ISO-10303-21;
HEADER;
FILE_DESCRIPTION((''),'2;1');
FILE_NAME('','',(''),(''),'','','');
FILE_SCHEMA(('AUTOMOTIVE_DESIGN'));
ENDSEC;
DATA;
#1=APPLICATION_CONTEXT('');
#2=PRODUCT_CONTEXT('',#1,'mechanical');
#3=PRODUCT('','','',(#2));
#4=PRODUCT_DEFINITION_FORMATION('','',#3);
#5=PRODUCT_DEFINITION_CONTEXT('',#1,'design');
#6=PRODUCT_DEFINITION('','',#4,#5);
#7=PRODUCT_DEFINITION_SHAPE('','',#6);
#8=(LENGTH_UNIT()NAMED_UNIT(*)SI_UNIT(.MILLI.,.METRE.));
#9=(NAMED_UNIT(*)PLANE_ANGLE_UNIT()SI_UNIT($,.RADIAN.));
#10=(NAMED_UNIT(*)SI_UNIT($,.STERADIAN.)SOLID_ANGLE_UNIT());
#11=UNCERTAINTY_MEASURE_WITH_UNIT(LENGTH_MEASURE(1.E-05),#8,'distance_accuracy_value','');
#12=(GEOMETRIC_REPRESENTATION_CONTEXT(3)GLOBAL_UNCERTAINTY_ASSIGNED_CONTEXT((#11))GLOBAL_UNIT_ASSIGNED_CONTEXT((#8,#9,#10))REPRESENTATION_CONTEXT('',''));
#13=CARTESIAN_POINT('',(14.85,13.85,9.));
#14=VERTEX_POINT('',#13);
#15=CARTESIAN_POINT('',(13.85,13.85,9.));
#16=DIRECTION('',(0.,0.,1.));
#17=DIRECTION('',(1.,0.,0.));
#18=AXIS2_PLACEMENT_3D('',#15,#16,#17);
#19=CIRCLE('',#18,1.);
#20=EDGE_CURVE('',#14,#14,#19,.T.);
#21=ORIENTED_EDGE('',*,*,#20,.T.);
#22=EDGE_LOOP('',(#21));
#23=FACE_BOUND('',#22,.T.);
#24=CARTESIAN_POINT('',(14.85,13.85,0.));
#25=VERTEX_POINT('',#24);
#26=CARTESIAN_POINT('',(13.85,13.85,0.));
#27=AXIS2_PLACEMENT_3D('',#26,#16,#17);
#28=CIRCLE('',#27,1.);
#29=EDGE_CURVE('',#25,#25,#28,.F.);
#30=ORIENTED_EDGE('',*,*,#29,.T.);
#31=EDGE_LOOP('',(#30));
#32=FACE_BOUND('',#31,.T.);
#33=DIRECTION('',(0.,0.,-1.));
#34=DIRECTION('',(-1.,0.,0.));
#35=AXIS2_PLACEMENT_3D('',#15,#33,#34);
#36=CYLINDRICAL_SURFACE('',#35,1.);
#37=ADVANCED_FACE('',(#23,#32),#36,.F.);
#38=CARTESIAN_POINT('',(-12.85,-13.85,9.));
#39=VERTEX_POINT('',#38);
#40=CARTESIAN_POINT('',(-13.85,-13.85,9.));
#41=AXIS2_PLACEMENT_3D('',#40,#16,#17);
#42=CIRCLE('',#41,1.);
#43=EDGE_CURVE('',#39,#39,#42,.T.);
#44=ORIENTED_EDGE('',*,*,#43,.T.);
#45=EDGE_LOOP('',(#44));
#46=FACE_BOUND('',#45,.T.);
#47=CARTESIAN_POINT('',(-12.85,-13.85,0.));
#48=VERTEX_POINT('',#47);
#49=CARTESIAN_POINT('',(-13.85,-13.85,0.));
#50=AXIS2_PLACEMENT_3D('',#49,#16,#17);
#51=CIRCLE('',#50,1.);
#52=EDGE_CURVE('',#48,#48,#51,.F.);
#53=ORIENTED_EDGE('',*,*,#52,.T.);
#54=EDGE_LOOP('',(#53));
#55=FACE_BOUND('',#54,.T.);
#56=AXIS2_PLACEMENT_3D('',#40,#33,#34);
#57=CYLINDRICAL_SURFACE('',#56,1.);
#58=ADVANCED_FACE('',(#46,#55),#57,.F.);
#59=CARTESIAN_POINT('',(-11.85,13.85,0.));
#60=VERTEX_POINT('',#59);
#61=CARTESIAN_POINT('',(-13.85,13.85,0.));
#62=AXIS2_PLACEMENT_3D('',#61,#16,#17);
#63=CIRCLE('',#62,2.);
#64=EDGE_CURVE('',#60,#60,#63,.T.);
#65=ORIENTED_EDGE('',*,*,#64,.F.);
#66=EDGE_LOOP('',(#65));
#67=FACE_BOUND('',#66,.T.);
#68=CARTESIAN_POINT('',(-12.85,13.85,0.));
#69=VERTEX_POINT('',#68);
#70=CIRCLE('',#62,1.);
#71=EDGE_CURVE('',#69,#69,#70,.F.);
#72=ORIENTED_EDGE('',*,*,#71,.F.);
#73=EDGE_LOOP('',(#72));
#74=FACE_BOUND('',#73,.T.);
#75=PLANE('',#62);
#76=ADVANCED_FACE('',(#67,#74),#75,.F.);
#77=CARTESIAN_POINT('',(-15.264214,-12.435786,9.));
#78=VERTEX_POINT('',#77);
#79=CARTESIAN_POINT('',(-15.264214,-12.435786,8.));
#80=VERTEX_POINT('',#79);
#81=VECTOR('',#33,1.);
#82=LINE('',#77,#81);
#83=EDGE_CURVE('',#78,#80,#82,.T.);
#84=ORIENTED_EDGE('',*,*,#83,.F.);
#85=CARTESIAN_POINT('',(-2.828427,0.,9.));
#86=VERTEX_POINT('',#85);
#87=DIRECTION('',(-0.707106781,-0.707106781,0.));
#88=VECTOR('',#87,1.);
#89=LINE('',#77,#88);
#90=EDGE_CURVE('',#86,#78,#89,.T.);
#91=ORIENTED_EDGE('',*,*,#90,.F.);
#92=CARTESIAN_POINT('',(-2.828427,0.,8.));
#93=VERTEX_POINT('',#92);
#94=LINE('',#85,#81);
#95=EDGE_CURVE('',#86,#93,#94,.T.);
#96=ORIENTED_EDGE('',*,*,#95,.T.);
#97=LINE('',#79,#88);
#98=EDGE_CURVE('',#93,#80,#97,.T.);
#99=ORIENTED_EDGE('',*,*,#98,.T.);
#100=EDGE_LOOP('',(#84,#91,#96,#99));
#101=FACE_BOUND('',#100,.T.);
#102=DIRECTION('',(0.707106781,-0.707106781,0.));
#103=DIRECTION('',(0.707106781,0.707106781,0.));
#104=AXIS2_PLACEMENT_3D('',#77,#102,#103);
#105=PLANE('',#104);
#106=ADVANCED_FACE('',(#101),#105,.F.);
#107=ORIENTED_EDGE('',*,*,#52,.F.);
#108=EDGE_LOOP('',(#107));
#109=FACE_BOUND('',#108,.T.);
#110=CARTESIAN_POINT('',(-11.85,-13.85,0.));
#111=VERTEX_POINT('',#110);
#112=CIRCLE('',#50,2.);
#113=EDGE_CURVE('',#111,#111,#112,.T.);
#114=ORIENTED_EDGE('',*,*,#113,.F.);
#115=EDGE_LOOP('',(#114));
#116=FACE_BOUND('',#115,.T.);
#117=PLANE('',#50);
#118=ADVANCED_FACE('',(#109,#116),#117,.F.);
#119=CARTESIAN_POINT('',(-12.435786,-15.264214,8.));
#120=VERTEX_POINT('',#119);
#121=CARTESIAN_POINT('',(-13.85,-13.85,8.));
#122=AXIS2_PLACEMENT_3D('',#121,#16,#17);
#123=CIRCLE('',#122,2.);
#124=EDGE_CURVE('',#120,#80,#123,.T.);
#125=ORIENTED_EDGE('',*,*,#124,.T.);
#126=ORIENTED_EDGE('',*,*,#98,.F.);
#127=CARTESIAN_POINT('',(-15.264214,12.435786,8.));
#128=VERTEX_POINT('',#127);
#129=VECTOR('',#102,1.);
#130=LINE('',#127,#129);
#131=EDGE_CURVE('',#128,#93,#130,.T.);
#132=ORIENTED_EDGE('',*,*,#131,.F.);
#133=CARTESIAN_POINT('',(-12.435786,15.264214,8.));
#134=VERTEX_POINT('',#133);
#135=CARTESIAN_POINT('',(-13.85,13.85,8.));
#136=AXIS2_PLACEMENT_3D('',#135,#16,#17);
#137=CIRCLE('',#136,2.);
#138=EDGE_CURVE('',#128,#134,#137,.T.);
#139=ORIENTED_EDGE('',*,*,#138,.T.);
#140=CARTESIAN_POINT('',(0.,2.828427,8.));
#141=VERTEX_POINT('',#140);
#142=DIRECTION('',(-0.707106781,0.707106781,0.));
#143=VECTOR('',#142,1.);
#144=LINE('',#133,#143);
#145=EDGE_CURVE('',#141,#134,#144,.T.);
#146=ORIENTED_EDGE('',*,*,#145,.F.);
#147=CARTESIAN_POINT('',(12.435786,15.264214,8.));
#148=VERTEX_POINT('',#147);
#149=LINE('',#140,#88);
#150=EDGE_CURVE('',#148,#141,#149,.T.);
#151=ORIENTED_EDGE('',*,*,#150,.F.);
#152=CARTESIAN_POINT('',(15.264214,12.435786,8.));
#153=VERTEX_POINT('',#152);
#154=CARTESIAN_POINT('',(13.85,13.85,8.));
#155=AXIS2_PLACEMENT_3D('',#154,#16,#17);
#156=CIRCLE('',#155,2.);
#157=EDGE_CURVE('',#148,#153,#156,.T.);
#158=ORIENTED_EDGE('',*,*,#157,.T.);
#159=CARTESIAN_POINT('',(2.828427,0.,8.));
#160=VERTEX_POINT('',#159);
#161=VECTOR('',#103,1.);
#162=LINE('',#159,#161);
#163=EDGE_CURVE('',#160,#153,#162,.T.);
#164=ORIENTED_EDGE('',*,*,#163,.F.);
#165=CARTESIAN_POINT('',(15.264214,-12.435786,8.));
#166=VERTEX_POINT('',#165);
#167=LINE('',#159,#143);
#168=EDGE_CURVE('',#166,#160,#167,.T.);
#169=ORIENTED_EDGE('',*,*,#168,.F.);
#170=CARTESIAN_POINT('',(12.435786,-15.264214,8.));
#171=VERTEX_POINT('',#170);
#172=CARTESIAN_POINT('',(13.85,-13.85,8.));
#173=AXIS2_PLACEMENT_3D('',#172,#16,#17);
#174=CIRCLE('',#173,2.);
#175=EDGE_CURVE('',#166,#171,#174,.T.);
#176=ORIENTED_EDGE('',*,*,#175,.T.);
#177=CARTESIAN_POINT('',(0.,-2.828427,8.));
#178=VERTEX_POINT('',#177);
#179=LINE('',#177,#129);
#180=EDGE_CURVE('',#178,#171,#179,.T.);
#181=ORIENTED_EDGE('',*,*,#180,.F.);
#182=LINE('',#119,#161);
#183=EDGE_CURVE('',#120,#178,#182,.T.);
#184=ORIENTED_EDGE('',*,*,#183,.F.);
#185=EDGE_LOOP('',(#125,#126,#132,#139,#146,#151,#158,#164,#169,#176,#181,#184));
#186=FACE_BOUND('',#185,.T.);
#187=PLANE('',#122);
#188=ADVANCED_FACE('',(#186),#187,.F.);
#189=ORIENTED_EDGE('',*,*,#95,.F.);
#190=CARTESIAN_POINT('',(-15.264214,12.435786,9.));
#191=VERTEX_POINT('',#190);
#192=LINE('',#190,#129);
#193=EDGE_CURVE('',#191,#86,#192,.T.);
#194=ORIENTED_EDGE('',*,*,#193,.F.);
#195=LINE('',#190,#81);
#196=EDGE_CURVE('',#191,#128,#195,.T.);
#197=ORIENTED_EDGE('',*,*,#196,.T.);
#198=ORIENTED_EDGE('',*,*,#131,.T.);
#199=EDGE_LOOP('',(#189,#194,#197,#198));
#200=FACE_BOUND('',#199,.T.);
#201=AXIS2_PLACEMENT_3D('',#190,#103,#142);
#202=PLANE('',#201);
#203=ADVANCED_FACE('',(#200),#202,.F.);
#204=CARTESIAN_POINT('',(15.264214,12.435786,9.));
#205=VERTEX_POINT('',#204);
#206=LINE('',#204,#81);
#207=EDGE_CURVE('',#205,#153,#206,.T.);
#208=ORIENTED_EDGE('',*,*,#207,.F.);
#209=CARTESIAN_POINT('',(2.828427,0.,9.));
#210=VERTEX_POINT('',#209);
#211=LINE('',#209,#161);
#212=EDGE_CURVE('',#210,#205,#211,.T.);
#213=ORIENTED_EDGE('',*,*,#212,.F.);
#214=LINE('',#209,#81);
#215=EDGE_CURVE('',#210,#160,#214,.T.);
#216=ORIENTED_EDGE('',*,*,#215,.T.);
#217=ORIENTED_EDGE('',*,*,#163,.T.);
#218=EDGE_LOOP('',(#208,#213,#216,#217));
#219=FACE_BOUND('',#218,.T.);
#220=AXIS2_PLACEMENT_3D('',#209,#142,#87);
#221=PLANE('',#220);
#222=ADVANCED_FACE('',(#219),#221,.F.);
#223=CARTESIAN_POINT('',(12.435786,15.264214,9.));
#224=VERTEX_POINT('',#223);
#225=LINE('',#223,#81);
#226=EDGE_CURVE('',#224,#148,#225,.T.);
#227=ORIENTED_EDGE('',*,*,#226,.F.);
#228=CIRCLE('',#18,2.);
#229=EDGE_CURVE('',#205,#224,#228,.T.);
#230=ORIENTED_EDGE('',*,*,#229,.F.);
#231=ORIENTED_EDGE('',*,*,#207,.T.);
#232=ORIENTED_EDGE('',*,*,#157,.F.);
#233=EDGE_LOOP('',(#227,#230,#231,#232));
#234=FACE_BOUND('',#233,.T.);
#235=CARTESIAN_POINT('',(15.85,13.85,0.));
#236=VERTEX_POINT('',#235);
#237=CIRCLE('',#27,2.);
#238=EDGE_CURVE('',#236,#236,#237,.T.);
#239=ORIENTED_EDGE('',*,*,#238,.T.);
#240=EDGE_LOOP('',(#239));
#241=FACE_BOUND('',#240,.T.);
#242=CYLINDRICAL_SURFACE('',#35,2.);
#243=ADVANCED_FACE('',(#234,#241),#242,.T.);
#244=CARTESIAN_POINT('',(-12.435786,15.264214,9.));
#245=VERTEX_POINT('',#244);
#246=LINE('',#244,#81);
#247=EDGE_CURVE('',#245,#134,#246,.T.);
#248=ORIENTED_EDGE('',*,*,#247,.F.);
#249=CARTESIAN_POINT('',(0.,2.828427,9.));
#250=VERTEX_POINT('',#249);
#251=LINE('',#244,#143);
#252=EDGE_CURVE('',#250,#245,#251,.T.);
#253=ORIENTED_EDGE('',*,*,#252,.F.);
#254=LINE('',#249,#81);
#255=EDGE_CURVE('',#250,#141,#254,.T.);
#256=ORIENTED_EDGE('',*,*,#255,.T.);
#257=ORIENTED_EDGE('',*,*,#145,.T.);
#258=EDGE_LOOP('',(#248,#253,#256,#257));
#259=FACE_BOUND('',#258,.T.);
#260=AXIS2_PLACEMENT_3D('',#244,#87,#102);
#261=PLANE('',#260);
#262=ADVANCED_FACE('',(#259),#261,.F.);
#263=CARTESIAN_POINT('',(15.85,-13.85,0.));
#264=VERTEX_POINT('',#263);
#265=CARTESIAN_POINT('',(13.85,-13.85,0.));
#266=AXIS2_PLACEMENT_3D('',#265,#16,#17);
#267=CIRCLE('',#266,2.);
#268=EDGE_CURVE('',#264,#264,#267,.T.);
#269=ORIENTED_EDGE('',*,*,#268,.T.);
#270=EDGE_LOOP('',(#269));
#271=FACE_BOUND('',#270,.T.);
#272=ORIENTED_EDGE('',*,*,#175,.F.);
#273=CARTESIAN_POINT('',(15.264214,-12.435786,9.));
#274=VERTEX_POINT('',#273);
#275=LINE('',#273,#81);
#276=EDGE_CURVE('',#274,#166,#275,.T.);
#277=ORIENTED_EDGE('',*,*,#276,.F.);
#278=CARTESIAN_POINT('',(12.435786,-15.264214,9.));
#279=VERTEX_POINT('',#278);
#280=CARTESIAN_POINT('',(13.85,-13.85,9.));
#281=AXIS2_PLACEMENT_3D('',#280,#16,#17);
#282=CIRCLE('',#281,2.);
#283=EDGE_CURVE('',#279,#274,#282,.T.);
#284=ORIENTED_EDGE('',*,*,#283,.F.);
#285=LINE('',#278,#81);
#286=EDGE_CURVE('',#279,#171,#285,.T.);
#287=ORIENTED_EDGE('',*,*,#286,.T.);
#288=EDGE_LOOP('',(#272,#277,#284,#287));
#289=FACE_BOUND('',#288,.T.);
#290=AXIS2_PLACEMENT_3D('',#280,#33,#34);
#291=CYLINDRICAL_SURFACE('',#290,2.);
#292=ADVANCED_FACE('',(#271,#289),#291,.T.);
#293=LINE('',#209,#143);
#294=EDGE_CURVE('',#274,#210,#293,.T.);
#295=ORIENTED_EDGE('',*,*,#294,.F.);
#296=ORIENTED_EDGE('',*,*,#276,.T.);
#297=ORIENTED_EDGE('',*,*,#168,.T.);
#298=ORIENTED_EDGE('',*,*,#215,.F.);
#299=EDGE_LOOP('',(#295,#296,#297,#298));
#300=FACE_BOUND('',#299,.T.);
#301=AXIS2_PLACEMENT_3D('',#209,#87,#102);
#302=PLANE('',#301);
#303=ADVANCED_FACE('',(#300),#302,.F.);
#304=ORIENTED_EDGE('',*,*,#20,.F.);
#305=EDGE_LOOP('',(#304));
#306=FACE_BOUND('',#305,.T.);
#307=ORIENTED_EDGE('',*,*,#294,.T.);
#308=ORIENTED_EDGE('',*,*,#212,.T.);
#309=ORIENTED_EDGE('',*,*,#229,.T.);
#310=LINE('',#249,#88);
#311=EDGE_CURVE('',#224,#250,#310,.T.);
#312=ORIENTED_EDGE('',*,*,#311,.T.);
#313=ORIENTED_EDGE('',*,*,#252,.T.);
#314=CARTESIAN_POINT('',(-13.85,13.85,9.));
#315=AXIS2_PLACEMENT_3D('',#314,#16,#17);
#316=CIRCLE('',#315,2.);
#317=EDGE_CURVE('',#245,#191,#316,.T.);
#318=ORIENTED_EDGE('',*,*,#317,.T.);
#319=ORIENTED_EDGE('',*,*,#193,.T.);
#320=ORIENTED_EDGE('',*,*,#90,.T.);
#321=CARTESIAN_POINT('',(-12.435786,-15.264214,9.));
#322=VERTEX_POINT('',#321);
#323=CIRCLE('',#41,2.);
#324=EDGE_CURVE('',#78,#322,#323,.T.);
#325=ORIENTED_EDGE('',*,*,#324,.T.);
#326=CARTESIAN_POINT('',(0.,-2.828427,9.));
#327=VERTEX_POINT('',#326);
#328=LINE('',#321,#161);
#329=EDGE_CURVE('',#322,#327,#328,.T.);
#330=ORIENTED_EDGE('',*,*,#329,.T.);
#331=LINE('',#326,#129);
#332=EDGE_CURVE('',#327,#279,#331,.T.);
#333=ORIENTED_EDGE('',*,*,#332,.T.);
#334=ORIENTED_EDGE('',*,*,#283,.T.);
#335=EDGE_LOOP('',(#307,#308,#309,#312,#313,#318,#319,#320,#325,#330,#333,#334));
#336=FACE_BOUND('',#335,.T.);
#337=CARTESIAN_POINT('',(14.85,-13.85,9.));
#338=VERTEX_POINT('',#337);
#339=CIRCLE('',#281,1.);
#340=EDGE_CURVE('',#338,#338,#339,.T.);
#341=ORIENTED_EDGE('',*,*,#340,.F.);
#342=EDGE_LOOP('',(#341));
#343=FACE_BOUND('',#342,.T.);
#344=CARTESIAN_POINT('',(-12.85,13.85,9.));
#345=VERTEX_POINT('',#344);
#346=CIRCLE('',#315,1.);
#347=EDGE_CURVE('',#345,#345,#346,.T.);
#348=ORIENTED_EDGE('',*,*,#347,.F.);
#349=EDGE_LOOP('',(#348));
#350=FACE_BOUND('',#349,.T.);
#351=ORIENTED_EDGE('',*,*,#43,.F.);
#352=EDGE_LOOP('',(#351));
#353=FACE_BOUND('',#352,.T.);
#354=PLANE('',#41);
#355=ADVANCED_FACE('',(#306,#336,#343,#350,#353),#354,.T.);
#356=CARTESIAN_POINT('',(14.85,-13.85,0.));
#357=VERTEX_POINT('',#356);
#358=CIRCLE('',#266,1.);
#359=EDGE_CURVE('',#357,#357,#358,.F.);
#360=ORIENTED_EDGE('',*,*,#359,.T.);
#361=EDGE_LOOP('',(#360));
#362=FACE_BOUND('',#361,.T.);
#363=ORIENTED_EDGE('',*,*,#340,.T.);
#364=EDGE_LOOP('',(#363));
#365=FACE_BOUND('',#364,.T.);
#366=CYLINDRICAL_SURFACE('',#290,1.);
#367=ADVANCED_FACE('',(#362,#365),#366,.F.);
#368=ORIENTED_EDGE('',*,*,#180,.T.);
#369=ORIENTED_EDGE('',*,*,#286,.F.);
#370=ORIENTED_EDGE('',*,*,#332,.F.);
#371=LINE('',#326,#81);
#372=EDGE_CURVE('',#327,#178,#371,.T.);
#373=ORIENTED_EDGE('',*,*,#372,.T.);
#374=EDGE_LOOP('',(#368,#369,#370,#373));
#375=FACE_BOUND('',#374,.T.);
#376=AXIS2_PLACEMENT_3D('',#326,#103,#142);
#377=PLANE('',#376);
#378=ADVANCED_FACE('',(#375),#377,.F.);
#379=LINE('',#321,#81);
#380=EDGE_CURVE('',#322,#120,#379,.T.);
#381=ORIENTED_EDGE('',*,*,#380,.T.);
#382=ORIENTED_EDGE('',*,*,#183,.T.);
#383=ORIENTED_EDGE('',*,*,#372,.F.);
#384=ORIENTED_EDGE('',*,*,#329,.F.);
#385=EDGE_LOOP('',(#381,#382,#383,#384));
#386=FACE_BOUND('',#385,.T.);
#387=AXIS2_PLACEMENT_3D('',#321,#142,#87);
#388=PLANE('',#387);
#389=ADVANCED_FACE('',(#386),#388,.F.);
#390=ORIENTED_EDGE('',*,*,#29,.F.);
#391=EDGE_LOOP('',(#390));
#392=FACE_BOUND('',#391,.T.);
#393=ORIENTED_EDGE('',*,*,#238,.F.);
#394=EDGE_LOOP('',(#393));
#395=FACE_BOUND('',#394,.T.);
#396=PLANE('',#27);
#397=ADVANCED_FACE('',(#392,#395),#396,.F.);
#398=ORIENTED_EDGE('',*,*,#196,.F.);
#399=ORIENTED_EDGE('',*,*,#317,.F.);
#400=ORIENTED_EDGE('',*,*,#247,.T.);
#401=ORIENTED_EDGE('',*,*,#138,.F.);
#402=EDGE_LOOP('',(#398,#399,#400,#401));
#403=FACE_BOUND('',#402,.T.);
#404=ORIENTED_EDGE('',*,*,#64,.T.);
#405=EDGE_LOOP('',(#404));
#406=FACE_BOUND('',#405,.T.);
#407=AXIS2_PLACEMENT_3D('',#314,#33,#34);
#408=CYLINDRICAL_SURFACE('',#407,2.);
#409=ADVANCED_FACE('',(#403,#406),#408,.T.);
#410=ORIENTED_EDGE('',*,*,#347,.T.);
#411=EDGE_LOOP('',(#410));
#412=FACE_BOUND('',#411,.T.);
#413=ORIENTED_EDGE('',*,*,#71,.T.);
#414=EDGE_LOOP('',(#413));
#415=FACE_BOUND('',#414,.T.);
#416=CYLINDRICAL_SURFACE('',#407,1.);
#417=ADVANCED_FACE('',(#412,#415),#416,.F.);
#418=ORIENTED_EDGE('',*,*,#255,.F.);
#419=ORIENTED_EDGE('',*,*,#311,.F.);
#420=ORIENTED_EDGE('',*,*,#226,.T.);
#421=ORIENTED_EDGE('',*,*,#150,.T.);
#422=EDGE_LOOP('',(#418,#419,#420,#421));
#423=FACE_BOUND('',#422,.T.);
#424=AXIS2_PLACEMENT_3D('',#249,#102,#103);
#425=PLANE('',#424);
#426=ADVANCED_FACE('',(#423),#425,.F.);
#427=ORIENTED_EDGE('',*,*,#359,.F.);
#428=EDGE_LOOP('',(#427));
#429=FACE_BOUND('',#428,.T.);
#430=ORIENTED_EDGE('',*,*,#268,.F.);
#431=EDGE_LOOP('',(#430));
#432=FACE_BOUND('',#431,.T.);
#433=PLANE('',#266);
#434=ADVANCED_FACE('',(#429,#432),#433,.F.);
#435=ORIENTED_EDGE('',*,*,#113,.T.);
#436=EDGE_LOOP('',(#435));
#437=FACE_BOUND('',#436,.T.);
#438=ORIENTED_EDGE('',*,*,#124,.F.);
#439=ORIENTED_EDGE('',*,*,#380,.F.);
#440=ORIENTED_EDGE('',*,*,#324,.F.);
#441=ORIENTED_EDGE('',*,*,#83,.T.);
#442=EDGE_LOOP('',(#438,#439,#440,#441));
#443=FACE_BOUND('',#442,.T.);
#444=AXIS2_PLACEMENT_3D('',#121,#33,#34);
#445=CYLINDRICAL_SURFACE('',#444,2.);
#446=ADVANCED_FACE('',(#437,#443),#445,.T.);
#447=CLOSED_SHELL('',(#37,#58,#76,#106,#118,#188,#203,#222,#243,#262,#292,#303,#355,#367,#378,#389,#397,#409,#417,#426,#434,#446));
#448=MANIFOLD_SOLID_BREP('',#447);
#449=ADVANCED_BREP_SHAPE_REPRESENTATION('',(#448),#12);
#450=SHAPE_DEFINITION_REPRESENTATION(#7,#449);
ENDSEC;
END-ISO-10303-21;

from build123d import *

# Parameters (mm, degrees)
SKETCH3_R               = 2
BOSS_EXTRUDE1_DEPTH     = 8
BOSS_EXTRUDE1_2_DEPTH   = 8
BOSS_EXTRUDE1_3_DEPTH   = 8
BOSS_EXTRUDE1_4_DEPTH   = 8
BOSS_EXTRUDE2_DEPTH     = 1
SKETCH5_R               = 1
CUT_EXTRUDE1_DEPTH      = 10
CUT_EXTRUDE1_DEPTH_BACK = 1


with BuildPart() as part:
    # Sketch3 → Boss-Extrude1 (new body)
    with BuildSketch(Plane(origin=(0, 0, 0), x_dir=(0, 1, 0), z_dir=(0, 0, 1))):
        with Locations((-13.85, 13.85)):
            Circle(SKETCH3_R)
    extrude(amount=BOSS_EXTRUDE1_DEPTH)



with BuildPart() as body_2:
    # Sketch3 → Boss-Extrude1 2 (new body)
    with BuildSketch(Plane(origin=(0, 0, 0), x_dir=(0, 1, 0), z_dir=(0, 0, 1))):
        with Locations((13.85, 13.85)):
            Circle(SKETCH3_R)
    extrude(amount=BOSS_EXTRUDE1_2_DEPTH)


with BuildPart() as body_3:
    # Sketch3 → Boss-Extrude1 3 (new body)
    with BuildSketch(Plane(origin=(0, 0, 0), x_dir=(0, 1, 0), z_dir=(0, 0, 1))):
        with Locations((13.85, -13.85)):
            Circle(SKETCH3_R)
    extrude(amount=BOSS_EXTRUDE1_3_DEPTH)


with BuildPart() as body_4:
    # Sketch3 → Boss-Extrude1 4 (new body)
    with BuildSketch(Plane(origin=(0, 0, 0), x_dir=(0, 1, 0), z_dir=(0, 0, 1))):
        with Locations((-13.85, -13.85)):
            Circle(SKETCH3_R)
    extrude(amount=BOSS_EXTRUDE1_4_DEPTH)


with BuildPart() as part_1:
    add(part.part)

    add(body_2.part)  # Boss-Extrude2 merges body 2

    add(body_3.part)  # Boss-Extrude2 merges body 3

    add(body_4.part)  # Boss-Extrude2 merges body 4
    # Sketch4 → Boss-Extrude2 (add)
    with BuildSketch(Plane.XY.offset(8)):
        with BuildLine():
            Line((-15.264214, -12.435786), (-2.828427, 0))
            Line((-2.828427, 0), (-15.264214, 12.435786))
            ThreePointArc((-15.264214, 12.435786), (-15.264214, 15.264214), (-12.435786, 15.264214))
            Line((-12.435786, 15.264214), (0, 2.828427))
            Line((0, 2.828427), (12.435786, 15.264214))
            ThreePointArc((12.435786, 15.264214), (15.264214, 15.264214), (15.264214, 12.435786))
            Line((15.264214, 12.435786), (2.828427, 0))
            Line((2.828427, 0), (15.264214, -12.435786))
            ThreePointArc((15.264214, -12.435786), (15.264214, -15.264214), (12.435786, -15.264214))
            Line((12.435786, -15.264214), (0, -2.828427))
            Line((0, -2.828427), (-12.435786, -15.264214))
            ThreePointArc((-12.435786, -15.264214), (-15.264214, -15.264214), (-15.264214, -12.435786))
        make_face()
    extrude(amount=BOSS_EXTRUDE2_DEPTH)

    # Sketch5 → Cut-Extrude1 (cut, two sides)
    with BuildSketch(Plane(origin=(0, 0, 0), x_dir=(0, 1, 0), z_dir=(0, 0, 1))) as cut_extrude1_sk:
        with Locations((-13.85, 13.85)):
            Circle(SKETCH5_R)
        with Locations((13.85, 13.85)):
            Circle(SKETCH5_R)
        with Locations((13.85, -13.85)):
            Circle(SKETCH5_R)
        with Locations((-13.85, -13.85)):
            Circle(SKETCH5_R)
    extrude(amount=CUT_EXTRUDE1_DEPTH, mode=Mode.SUBTRACT)
    extrude(cut_extrude1_sk.sketch, amount=-CUT_EXTRUDE1_DEPTH_BACK, mode=Mode.SUBTRACT)


solid = part_1.part
